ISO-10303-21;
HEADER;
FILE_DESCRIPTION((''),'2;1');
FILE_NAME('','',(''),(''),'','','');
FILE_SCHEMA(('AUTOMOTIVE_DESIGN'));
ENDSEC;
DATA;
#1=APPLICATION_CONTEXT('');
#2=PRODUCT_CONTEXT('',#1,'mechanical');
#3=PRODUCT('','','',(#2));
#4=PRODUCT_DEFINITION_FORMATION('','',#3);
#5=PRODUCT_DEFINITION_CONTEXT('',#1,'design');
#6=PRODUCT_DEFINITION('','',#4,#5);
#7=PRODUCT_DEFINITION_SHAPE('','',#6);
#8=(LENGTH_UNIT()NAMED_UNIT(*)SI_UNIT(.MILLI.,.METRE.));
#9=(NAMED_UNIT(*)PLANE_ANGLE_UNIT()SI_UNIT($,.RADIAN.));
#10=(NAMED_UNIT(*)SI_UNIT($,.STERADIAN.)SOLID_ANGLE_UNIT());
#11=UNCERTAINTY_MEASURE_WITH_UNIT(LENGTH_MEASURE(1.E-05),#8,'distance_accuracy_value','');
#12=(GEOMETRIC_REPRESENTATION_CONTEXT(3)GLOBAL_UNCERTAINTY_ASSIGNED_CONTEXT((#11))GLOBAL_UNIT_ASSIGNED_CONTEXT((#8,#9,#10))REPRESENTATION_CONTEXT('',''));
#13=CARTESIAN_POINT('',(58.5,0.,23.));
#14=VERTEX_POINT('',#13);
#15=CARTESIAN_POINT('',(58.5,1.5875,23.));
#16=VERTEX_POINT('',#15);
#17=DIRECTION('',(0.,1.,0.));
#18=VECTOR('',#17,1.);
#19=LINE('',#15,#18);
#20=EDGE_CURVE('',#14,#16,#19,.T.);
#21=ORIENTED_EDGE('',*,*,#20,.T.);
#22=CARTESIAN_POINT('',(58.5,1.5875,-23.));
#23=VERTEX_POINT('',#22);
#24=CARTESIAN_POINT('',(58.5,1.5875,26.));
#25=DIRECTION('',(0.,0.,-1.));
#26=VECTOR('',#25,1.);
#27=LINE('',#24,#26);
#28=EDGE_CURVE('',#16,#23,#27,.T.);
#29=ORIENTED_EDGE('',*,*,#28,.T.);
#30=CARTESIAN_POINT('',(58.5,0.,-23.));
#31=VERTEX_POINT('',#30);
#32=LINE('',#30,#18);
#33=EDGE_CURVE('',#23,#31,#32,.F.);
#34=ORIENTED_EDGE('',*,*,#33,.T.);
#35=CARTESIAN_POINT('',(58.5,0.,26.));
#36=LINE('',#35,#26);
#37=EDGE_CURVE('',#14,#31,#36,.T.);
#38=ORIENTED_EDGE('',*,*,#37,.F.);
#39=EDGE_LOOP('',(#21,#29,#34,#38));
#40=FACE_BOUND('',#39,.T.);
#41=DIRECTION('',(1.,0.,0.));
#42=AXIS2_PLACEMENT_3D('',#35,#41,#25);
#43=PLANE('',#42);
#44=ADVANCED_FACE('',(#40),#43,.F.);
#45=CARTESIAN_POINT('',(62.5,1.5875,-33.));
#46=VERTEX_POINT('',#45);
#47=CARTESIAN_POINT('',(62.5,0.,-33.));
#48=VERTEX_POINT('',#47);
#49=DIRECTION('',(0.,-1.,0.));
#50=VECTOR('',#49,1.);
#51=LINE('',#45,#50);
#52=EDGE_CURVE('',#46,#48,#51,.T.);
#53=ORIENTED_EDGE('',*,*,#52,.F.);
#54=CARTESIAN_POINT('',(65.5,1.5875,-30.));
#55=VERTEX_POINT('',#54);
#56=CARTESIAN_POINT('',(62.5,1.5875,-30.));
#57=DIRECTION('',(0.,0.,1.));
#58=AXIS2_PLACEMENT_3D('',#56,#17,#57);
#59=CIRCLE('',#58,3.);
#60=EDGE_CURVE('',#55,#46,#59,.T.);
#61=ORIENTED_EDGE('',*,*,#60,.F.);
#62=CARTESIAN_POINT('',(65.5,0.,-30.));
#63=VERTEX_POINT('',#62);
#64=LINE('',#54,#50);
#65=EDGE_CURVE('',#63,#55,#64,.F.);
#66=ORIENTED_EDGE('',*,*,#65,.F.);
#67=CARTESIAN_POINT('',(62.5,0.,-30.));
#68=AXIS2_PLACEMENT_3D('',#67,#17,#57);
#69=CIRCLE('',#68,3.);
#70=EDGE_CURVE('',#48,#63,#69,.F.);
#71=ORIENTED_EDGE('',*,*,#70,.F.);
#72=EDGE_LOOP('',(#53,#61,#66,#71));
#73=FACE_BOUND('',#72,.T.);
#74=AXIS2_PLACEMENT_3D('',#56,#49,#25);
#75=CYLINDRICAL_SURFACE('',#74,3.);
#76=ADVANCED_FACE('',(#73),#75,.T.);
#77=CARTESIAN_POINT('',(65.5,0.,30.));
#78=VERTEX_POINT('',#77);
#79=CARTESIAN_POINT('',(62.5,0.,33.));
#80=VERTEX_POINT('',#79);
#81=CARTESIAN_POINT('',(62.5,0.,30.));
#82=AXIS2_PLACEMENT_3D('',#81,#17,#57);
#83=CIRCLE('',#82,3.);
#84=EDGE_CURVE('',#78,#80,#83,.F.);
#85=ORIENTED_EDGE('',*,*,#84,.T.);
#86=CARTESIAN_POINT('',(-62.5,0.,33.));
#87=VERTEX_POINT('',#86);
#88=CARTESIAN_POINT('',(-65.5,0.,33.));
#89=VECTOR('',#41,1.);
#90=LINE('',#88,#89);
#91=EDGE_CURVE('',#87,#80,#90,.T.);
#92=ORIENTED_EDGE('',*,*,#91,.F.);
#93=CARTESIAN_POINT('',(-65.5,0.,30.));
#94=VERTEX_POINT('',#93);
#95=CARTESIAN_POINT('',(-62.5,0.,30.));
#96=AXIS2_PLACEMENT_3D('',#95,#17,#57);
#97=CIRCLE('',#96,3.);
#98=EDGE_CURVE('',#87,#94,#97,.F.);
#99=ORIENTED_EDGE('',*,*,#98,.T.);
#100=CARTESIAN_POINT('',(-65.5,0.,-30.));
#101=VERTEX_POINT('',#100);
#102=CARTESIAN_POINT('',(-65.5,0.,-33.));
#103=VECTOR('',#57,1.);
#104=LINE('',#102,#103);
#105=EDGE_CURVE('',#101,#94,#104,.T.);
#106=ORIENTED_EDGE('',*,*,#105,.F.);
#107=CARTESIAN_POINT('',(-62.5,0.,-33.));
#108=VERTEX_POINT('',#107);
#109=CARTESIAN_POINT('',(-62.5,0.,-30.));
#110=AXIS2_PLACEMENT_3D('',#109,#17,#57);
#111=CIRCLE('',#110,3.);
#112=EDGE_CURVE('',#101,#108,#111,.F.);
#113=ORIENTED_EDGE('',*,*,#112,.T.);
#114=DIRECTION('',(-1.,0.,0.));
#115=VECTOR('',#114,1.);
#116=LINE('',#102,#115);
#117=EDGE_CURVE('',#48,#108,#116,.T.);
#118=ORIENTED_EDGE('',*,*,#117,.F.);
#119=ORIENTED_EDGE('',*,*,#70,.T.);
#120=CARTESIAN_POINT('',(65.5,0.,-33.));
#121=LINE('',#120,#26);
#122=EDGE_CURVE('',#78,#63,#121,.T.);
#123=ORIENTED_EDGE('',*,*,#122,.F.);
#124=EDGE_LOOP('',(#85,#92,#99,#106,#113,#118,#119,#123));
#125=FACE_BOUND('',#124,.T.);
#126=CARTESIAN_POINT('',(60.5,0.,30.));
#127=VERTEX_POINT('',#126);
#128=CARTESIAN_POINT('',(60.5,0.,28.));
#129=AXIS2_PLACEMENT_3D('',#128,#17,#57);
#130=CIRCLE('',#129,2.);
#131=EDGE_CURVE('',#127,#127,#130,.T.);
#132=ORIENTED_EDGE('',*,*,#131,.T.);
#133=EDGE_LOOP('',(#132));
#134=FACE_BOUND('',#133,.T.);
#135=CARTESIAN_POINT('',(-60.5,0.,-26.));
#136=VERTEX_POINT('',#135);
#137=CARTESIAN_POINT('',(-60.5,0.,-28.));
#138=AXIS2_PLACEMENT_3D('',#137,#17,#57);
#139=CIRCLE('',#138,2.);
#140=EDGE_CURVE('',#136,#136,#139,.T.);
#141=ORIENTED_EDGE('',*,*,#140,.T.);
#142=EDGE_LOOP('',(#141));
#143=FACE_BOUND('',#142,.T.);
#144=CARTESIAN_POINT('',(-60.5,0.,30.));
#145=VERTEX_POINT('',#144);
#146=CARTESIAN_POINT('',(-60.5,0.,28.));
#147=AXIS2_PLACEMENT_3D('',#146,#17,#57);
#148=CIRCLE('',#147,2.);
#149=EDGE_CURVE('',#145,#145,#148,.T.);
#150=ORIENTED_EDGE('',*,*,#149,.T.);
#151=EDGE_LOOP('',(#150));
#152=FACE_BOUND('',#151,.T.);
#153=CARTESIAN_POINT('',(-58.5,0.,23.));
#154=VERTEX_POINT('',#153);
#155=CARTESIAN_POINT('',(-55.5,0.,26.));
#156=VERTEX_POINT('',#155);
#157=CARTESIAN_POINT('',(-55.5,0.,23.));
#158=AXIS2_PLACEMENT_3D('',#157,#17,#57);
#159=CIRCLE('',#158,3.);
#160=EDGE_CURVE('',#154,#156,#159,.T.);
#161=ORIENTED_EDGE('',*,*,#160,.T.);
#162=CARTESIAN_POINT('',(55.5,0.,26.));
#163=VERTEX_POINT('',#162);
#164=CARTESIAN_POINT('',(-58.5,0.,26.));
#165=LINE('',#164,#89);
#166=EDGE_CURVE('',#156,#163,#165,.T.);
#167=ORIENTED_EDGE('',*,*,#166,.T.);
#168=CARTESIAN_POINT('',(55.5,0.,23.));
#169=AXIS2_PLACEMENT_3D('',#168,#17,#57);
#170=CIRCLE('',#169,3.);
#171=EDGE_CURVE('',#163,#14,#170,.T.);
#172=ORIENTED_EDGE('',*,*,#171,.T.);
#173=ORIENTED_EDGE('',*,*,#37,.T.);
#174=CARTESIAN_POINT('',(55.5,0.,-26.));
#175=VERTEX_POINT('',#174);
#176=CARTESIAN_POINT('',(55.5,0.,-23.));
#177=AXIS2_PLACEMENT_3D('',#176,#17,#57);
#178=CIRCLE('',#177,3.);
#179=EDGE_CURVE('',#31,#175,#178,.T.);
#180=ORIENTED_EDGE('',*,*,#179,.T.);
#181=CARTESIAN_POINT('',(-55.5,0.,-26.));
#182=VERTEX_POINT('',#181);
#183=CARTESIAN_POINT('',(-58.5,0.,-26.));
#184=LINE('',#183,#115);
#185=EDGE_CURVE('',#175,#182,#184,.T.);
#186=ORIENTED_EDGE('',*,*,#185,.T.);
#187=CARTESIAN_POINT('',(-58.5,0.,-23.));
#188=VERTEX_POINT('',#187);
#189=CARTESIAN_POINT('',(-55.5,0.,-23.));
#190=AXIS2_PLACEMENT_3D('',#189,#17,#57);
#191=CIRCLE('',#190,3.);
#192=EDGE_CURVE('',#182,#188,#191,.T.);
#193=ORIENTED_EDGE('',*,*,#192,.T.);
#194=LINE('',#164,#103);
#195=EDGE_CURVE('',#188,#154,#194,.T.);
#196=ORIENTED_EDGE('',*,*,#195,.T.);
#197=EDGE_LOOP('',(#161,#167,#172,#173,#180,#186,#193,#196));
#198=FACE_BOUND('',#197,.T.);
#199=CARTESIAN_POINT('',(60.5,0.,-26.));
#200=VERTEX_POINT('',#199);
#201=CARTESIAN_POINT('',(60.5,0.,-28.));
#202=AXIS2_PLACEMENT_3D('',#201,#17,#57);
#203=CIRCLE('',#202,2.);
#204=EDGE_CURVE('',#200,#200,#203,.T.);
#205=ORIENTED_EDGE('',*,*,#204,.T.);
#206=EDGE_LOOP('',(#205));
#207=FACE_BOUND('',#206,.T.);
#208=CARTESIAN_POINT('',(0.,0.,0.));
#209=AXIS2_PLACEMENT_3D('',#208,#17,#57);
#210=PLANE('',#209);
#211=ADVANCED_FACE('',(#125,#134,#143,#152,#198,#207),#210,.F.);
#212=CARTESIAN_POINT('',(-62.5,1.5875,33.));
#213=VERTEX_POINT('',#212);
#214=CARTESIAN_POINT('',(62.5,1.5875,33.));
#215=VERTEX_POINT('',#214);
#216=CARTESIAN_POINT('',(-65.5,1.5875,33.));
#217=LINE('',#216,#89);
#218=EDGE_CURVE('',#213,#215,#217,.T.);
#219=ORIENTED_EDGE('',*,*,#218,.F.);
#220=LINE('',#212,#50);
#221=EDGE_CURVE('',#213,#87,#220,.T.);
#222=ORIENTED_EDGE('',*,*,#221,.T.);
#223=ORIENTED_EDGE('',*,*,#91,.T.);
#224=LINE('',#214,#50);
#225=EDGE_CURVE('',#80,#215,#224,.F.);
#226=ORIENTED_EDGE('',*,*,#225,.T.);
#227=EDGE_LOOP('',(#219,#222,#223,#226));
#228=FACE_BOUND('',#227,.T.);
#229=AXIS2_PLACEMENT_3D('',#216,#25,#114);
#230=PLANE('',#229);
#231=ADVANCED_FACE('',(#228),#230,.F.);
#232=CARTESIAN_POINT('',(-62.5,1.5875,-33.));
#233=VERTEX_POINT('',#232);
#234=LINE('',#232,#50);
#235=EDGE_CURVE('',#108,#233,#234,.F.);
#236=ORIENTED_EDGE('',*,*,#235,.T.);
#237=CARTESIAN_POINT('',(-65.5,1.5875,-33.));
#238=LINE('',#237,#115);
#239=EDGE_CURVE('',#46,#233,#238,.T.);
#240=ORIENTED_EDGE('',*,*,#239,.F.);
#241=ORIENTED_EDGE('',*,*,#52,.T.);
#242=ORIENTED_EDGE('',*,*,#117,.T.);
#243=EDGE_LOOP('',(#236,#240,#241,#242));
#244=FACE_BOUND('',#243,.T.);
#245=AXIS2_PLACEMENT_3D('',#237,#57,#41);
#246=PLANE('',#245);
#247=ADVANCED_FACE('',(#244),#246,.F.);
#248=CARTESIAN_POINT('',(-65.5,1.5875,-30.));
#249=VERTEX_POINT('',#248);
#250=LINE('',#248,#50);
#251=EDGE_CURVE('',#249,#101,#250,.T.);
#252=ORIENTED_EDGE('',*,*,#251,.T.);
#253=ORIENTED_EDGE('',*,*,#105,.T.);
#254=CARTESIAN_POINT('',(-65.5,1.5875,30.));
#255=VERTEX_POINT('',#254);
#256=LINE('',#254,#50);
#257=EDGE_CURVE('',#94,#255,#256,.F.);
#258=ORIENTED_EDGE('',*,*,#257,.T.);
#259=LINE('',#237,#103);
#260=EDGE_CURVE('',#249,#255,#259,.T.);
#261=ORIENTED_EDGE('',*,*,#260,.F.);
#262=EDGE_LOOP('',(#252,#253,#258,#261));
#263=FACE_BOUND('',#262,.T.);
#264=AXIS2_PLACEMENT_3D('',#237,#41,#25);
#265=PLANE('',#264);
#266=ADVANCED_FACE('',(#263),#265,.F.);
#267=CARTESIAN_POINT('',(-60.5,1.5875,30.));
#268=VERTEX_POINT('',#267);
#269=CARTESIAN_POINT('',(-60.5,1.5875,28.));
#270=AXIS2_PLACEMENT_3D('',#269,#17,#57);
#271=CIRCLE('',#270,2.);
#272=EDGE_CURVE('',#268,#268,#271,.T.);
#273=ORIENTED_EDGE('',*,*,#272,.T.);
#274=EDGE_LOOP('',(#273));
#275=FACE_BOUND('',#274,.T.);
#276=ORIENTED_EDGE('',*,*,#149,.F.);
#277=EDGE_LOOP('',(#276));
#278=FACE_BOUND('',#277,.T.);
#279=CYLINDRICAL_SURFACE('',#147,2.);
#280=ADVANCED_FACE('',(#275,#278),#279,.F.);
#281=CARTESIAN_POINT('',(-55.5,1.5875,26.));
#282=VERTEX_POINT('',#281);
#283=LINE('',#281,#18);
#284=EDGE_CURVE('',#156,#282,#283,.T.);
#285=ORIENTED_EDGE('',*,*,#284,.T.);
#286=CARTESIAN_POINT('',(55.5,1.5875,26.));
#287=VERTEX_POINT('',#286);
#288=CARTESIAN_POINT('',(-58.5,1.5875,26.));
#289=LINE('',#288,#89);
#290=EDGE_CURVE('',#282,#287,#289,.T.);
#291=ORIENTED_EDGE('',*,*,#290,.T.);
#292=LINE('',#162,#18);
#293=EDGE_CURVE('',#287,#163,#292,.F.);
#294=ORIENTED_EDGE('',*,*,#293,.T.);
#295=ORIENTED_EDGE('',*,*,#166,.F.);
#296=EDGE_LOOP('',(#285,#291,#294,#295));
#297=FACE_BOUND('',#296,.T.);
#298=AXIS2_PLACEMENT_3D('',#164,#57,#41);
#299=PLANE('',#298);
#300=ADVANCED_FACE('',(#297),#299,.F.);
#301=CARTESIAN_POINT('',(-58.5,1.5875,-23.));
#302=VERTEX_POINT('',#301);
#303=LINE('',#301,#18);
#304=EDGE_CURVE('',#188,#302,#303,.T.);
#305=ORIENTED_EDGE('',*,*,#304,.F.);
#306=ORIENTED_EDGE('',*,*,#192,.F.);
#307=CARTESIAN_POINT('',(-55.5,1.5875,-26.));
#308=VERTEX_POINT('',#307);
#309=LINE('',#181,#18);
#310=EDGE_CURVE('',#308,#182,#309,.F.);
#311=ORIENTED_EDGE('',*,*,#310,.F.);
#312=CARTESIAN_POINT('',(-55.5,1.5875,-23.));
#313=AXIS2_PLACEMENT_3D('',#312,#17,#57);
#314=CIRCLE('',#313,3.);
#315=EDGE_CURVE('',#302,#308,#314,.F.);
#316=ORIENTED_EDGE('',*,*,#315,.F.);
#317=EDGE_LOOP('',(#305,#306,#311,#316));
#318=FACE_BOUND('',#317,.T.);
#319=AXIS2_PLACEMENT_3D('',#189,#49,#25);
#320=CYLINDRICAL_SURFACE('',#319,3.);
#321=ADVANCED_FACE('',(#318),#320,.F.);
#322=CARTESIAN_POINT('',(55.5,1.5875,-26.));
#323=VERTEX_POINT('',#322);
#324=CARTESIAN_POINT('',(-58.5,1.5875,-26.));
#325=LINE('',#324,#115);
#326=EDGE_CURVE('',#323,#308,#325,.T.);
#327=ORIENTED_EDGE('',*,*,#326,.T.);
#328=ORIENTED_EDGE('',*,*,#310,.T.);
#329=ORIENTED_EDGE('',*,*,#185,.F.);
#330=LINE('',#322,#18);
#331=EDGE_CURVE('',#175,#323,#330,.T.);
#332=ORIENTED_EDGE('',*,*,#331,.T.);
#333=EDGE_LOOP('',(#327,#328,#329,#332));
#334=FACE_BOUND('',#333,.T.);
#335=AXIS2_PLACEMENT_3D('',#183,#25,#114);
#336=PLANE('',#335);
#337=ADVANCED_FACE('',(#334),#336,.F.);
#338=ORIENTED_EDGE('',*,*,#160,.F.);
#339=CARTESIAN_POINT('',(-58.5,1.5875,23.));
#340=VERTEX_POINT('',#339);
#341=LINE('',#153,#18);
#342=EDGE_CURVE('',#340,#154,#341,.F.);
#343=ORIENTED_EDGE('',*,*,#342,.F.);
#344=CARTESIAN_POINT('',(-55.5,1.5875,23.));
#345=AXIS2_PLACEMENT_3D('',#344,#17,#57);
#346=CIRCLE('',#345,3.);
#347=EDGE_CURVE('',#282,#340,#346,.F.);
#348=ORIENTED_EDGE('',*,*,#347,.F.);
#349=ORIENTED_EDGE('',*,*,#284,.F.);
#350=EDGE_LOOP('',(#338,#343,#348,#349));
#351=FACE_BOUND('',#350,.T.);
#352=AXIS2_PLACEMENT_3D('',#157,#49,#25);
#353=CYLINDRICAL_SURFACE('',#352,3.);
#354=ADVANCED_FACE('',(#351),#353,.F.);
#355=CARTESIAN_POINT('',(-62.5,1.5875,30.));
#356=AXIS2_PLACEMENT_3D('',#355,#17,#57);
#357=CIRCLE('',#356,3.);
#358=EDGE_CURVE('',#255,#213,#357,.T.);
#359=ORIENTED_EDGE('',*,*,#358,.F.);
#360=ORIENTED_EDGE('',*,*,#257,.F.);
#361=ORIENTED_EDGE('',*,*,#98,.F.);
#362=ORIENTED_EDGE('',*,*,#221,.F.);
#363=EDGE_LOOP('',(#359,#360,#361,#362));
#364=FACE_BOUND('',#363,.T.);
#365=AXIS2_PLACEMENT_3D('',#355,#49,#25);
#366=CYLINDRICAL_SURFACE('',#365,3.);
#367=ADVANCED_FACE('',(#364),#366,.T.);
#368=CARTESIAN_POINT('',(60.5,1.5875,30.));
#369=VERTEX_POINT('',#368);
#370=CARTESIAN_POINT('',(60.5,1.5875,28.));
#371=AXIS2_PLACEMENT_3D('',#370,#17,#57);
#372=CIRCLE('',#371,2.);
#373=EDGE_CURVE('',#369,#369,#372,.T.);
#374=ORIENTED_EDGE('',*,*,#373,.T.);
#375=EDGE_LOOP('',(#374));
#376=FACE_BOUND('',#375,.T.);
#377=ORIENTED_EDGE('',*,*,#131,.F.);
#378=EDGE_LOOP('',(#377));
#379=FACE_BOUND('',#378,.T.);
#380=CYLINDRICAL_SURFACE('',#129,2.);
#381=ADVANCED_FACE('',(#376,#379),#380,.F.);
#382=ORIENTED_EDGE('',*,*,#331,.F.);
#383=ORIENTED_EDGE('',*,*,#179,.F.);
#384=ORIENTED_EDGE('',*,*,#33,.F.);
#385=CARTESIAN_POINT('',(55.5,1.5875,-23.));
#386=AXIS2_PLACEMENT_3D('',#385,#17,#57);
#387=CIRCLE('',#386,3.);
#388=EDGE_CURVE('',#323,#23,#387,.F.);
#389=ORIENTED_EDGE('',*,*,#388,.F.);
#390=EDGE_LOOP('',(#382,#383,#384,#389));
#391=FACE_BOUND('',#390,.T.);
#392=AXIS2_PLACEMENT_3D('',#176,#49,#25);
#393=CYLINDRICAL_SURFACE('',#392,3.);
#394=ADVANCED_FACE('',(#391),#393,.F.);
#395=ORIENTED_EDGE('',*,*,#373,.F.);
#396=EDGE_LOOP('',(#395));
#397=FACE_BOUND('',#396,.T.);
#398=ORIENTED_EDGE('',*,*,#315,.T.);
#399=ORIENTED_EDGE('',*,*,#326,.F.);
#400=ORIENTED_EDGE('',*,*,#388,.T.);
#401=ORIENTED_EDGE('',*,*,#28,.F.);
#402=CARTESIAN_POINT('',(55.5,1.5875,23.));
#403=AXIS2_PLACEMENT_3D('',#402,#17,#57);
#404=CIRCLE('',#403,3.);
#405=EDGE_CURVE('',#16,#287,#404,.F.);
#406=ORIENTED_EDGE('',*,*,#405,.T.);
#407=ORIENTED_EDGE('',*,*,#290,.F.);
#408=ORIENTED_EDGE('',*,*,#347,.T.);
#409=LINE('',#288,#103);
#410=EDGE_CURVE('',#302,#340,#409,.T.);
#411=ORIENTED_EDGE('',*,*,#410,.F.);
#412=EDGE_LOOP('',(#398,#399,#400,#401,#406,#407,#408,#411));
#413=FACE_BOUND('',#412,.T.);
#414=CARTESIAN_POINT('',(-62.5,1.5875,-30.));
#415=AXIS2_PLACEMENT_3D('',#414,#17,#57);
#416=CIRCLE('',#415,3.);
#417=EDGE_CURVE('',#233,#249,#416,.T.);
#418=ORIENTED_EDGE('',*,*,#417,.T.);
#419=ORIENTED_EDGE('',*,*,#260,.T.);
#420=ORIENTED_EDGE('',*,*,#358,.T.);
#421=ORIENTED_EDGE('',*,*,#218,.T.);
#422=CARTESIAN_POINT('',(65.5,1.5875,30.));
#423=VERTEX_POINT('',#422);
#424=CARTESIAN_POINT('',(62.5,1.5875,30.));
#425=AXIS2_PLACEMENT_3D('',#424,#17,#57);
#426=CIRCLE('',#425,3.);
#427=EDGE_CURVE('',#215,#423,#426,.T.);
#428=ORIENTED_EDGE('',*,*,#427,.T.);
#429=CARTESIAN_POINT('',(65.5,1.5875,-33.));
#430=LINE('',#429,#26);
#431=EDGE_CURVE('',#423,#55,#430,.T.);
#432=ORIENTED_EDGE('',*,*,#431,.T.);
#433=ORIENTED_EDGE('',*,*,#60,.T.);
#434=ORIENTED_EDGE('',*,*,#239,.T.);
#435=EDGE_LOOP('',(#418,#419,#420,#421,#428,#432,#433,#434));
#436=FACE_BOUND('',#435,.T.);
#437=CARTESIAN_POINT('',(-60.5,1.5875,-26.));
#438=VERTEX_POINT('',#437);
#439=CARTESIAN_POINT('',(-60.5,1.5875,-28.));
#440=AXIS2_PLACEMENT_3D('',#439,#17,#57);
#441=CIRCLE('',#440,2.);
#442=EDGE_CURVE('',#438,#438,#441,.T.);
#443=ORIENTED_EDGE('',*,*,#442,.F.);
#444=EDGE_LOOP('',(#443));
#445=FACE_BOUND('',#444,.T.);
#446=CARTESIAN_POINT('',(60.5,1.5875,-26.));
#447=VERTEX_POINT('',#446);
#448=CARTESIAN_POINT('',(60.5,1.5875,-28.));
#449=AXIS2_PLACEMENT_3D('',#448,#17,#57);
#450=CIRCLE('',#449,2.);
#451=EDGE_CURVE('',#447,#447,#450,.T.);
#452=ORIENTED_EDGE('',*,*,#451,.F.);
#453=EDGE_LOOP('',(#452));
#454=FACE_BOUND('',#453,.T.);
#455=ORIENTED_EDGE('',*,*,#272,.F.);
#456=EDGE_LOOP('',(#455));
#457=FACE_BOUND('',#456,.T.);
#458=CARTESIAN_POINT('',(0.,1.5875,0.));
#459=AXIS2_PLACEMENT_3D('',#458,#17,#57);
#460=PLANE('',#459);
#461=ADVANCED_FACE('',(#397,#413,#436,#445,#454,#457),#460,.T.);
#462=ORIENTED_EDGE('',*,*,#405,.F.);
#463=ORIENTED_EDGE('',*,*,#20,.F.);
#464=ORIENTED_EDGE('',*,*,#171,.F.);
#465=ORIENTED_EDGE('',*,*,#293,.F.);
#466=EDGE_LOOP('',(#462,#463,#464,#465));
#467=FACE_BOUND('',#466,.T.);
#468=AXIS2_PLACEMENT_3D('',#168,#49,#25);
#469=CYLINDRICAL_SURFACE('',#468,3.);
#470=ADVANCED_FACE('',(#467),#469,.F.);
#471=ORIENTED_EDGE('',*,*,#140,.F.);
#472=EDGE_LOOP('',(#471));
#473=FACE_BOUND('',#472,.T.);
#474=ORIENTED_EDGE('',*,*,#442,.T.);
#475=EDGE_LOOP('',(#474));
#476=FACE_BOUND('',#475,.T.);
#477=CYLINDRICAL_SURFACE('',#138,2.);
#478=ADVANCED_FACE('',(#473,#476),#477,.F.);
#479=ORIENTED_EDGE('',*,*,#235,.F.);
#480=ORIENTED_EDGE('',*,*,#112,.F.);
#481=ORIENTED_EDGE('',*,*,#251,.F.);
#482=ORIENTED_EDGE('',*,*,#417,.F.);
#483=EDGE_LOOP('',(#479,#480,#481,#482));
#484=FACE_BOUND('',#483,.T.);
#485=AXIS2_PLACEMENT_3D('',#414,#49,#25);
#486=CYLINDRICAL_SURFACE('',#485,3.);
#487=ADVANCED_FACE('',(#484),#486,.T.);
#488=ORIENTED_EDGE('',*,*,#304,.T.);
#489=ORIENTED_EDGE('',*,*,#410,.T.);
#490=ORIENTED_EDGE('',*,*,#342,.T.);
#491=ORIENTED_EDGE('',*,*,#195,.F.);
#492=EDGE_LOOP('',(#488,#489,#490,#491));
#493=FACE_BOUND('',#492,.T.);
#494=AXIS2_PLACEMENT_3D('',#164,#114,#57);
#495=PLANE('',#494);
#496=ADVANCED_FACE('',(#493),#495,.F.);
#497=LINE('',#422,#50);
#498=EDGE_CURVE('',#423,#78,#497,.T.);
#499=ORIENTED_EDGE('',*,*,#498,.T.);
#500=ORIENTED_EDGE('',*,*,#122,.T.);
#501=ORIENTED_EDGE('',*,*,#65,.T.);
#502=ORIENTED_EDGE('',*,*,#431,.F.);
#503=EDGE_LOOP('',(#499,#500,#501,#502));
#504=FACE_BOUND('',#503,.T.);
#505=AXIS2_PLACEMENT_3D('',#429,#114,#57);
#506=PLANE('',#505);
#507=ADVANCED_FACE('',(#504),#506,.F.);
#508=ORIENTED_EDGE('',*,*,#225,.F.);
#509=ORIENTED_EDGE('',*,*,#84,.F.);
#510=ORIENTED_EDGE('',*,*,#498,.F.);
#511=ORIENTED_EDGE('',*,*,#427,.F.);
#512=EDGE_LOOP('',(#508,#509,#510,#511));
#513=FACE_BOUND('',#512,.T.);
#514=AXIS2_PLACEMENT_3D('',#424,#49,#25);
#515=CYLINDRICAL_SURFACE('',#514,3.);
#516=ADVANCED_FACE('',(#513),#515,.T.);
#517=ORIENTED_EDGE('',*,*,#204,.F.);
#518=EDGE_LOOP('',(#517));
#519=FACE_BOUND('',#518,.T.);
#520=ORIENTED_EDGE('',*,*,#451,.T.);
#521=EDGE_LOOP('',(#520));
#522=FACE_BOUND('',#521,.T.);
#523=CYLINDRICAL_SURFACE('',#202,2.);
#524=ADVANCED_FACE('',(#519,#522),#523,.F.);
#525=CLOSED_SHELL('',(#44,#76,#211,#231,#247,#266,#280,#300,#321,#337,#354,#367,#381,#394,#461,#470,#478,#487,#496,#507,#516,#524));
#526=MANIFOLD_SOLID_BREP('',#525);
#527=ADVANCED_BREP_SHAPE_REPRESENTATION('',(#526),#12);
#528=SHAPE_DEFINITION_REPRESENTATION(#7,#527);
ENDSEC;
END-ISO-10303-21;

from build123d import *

# Parameters (mm, degrees)
SKETCH1_W           = 131
SKETCH1_H           = 66
BOSS_EXTRUDE1_DEPTH = 1.5875
SKETCH3_W           = 117
SKETCH3_H           = 52
CUT_EXTRUDE2_DEPTH  = 74.360549045
SKETCH4_R           = 2
CUT_EXTRUDE3_DEPTH  = 74.360549045
FILLET1_R           = 3


with BuildPart() as part:
    # Sketch1 → Boss-Extrude1 (new body)
    with BuildSketch(Plane(origin=(0, 0, 0), x_dir=(1, 0, 0), z_dir=(0, 1, 0))):
        Rectangle(SKETCH1_W, SKETCH1_H)
    extrude(amount=BOSS_EXTRUDE1_DEPTH)

    # Sketch3 → Cut-Extrude2 (cut, through all)
    with BuildSketch(Plane(origin=(0, 1.5875, 0), x_dir=(1, 0, 0), z_dir=(0, 1, 0))):
        Rectangle(SKETCH3_W, SKETCH3_H)
    extrude(amount=-CUT_EXTRUDE2_DEPTH, mode=Mode.SUBTRACT)

    # Sketch4 → Cut-Extrude3 (cut, through all)
    with BuildSketch(Plane(origin=(0, 1.5875, 0), x_dir=(1, 0, 0), z_dir=(0, 1, 0))):
        with Locations(Location((-60.5, 28, 0), (0, 0, 270))):
            Circle(SKETCH4_R)
        with Locations(Location((60.5, 28, 0), (0, 0, 270))):
            Circle(SKETCH4_R)
        with Locations(Location((60.5, -28, 0), (0, 0, 270))):
            Circle(SKETCH4_R)
        with Locations(Location((-60.5, -28, 0), (0, 0, 270))):
            Circle(SKETCH4_R)
    extrude(amount=-CUT_EXTRUDE3_DEPTH, mode=Mode.SUBTRACT)

    # Fillet1
    fillet1_edges = [part.edges().sort_by_distance(p)[0] for p in [
        (-58.5, 0.79375, 26),
        (-58.5, 0.79375, -26),
        (58.5, 0.79375, -26),
        (58.5, 0.79375, 26),
        (-65.5, 0.79375, -33),
        (65.5, 0.79375, -33),
        (65.5, 0.79375, 33),
        (-65.5, 0.79375, 33),
    ]]
    fillet(fillet1_edges, radius=FILLET1_R)


solid = part.part
